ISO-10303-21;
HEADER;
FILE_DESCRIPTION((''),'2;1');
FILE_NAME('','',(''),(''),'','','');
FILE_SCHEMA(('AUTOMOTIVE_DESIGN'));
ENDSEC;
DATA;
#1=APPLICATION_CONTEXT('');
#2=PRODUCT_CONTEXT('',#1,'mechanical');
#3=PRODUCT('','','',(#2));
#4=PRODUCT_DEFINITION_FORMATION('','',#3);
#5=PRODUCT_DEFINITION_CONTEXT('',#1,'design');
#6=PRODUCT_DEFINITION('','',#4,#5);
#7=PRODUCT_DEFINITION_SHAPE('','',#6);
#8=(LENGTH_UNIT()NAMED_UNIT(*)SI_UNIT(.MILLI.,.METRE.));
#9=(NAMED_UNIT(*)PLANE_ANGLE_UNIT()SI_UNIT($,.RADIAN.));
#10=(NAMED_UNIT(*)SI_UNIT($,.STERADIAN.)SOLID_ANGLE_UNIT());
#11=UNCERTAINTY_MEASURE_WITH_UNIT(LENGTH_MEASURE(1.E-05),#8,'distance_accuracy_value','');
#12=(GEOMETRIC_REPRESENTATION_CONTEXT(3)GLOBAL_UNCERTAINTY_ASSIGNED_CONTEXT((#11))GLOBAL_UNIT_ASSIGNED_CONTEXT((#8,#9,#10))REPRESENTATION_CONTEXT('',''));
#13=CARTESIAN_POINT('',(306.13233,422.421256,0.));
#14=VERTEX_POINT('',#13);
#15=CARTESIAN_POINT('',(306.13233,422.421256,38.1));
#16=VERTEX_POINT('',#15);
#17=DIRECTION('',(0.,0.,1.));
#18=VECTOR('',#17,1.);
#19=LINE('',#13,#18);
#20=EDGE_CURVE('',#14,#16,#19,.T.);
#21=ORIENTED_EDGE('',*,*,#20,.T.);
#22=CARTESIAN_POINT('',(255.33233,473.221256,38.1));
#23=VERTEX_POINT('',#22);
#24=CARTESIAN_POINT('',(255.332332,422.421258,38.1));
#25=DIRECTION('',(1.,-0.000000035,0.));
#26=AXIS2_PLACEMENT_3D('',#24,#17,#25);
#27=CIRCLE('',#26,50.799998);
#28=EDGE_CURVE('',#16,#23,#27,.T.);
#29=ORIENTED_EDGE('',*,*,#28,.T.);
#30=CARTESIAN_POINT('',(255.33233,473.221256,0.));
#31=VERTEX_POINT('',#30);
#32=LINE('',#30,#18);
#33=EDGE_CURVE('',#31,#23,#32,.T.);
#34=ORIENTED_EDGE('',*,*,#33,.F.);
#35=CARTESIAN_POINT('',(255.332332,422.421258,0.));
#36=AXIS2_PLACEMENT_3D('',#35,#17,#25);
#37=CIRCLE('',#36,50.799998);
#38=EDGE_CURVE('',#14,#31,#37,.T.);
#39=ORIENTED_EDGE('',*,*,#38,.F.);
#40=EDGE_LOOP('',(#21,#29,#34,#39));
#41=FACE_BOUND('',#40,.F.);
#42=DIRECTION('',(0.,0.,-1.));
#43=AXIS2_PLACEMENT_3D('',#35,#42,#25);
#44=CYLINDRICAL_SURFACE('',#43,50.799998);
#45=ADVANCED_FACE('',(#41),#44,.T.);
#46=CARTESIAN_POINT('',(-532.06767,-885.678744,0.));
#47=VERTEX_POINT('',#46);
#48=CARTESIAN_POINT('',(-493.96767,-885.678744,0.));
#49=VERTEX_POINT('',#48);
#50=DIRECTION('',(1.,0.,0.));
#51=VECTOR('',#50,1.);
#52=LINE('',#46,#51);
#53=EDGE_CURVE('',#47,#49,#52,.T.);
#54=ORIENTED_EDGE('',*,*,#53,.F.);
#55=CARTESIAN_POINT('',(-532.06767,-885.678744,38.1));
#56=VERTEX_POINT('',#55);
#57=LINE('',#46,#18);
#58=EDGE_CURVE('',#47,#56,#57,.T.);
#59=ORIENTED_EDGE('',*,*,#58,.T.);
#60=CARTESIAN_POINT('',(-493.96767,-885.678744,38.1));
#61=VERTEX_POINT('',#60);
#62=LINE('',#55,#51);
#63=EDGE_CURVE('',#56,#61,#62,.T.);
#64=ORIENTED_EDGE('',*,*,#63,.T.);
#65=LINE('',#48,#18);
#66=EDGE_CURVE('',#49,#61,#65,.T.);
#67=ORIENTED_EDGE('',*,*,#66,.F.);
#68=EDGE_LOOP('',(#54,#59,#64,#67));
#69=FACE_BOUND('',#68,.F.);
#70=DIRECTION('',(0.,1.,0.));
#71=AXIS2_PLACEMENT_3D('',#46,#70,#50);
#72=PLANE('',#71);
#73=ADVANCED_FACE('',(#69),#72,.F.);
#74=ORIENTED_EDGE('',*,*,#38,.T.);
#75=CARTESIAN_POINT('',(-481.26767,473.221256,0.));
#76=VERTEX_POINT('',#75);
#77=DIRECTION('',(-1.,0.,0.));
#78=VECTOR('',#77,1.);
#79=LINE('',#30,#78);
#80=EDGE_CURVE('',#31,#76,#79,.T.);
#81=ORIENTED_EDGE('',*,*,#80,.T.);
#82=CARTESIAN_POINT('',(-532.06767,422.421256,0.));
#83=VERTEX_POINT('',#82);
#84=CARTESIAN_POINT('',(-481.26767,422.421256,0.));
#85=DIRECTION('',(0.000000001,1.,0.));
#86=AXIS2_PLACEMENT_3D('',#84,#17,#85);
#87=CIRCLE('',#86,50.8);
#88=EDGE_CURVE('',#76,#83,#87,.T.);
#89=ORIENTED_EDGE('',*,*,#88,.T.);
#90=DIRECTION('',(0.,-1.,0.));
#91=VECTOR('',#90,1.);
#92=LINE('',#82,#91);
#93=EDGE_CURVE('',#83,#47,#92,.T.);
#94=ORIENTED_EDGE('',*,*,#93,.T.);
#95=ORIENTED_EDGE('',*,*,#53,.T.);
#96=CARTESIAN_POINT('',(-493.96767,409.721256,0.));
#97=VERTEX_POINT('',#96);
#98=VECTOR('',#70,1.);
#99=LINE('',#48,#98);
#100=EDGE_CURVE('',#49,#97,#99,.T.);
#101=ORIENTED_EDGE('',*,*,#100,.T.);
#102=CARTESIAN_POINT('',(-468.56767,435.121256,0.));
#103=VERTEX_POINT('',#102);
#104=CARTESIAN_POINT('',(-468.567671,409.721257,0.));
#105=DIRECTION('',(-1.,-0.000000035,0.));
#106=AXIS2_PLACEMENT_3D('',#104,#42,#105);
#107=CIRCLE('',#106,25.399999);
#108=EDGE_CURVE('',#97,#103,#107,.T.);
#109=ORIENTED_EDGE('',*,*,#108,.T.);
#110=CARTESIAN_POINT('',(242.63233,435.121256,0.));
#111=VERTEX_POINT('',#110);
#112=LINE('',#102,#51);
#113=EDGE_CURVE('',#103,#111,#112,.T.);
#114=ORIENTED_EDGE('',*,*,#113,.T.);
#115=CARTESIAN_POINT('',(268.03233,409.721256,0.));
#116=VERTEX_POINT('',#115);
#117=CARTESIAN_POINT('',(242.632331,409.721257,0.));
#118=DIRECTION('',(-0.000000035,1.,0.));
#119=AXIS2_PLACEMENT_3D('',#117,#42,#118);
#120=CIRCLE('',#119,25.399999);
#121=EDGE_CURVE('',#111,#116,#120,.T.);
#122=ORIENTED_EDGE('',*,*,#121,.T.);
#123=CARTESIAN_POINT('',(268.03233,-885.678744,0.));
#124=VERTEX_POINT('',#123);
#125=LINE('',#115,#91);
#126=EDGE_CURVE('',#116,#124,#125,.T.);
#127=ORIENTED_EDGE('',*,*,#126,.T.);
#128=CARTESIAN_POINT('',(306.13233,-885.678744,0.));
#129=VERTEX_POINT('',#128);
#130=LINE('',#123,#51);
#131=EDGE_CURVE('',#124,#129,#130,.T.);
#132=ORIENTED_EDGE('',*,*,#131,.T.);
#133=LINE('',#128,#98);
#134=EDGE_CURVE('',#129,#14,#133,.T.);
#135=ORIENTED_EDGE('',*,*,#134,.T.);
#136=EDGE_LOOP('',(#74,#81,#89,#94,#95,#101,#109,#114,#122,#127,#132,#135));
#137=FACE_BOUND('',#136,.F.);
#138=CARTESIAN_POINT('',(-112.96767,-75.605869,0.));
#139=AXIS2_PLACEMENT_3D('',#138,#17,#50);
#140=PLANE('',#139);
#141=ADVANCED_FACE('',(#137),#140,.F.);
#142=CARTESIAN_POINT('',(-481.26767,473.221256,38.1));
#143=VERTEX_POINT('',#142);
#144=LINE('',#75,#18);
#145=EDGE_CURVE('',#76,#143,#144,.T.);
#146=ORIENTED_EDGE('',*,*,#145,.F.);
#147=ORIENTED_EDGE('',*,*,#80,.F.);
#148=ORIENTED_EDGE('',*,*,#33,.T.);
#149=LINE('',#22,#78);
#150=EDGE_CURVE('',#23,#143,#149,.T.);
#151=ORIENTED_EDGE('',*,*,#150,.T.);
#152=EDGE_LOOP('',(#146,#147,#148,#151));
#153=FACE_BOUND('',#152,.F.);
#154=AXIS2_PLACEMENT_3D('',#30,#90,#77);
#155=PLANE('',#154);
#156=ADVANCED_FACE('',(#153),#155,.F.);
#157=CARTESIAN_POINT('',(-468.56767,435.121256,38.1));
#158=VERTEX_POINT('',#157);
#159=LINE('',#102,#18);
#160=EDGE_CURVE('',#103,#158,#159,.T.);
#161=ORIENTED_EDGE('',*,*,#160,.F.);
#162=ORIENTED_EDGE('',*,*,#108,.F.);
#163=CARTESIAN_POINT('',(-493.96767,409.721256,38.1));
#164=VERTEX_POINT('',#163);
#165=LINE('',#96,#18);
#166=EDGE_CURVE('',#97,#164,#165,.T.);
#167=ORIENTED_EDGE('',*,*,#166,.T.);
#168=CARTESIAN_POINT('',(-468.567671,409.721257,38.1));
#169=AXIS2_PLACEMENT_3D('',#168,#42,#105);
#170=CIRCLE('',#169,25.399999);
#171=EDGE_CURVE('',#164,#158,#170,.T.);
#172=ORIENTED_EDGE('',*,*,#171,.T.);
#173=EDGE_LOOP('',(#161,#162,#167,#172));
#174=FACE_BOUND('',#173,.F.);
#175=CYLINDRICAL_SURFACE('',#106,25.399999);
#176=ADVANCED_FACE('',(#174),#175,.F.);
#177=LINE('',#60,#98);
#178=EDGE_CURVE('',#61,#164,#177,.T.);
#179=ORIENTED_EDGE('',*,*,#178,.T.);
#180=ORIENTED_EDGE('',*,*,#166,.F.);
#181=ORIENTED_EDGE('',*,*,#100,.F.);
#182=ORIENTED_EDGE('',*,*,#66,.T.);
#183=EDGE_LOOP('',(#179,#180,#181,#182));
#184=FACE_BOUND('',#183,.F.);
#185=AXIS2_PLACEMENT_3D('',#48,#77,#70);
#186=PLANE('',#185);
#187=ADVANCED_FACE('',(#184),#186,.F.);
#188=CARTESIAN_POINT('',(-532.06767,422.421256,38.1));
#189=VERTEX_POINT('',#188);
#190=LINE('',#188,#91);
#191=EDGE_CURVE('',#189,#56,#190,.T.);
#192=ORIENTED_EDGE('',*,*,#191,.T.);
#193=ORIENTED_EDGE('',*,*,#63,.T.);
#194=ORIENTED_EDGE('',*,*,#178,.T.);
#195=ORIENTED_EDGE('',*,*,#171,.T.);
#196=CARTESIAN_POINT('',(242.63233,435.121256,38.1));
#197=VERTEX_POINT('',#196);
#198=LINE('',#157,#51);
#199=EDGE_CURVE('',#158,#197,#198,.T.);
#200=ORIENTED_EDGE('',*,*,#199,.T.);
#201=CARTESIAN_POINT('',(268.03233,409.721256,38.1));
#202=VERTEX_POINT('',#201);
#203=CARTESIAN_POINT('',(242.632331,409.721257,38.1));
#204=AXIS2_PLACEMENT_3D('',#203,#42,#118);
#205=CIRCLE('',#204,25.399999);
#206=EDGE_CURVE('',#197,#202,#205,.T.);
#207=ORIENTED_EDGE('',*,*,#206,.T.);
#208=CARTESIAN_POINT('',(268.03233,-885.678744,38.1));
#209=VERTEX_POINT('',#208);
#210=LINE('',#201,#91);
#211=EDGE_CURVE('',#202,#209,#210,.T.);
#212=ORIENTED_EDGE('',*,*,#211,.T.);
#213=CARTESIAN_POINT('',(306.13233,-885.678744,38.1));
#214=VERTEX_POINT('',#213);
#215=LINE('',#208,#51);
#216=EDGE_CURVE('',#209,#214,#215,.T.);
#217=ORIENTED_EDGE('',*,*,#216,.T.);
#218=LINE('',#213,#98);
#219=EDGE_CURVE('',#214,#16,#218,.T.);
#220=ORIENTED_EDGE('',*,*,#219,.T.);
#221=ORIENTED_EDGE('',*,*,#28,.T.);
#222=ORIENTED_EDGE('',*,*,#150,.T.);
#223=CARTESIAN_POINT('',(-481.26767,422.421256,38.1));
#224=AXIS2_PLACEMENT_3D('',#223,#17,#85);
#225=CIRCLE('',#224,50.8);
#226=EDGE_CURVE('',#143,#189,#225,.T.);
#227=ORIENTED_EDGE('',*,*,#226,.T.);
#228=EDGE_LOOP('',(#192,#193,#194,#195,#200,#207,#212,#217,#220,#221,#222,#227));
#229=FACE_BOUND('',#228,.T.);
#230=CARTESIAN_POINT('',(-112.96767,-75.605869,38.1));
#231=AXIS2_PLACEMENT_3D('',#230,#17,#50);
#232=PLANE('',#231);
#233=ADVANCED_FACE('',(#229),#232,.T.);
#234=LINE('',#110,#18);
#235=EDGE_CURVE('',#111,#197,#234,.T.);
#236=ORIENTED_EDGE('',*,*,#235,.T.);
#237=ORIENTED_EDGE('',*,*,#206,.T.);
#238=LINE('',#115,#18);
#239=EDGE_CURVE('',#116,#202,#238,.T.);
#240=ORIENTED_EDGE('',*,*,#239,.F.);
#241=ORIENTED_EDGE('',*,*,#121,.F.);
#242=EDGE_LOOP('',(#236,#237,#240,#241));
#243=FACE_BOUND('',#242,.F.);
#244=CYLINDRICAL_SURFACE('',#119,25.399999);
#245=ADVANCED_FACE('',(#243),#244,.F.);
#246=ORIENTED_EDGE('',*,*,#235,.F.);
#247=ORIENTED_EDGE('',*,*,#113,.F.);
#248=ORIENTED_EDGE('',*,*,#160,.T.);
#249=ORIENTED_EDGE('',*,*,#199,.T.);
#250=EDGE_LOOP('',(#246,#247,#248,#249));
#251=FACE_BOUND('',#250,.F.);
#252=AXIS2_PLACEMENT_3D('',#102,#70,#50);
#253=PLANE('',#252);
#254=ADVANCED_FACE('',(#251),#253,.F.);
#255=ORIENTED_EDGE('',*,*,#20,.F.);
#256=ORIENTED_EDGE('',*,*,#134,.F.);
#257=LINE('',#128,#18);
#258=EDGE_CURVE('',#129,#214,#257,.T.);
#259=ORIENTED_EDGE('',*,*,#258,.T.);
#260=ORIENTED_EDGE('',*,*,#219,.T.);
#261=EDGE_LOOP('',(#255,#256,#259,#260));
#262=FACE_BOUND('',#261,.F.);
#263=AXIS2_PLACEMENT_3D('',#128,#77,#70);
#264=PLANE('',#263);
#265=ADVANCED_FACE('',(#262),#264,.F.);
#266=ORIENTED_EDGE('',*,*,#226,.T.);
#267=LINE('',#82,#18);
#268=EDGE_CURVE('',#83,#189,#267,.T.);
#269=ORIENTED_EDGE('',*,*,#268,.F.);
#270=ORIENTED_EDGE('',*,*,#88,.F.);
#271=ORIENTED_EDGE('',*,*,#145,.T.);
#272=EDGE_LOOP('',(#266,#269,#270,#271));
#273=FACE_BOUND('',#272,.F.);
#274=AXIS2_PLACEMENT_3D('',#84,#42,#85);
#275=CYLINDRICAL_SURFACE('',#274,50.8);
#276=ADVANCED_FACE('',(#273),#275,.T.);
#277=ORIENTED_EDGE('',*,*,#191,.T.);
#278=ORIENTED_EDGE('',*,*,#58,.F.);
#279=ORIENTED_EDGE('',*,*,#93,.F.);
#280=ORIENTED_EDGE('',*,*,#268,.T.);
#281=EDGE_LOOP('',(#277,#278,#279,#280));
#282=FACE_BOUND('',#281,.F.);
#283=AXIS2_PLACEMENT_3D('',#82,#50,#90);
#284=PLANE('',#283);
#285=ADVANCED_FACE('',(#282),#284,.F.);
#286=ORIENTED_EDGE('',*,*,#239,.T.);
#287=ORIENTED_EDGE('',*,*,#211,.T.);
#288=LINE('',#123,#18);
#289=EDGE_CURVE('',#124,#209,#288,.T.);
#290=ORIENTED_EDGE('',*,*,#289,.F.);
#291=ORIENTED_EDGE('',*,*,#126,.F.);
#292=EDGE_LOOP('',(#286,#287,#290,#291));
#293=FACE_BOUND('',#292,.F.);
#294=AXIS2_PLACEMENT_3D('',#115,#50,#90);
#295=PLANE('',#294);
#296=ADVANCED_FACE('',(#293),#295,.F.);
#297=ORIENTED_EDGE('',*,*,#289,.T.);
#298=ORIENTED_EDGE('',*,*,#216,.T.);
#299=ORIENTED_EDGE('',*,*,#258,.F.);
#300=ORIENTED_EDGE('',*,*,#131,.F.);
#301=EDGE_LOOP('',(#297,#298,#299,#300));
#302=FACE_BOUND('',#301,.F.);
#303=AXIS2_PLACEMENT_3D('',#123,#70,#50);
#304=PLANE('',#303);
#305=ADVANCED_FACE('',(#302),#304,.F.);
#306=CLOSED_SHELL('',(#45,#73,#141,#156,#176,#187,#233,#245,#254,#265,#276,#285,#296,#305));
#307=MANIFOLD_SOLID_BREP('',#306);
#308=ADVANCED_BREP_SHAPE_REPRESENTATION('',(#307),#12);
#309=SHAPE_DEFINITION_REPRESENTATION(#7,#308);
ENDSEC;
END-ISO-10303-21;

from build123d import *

# Parameters (mm, degrees)
F1_DEPTH = 38.1


with BuildPart() as f1:
    # F0 (on Top) → F1 (new body)
    with BuildSketch(Plane.XY):
        with BuildLine():
            Line((255.33233, 473.221256), (-481.26767, 473.221256))
            ThreePointArc((-481.26767, 473.221256), (-517.188694, 458.342281), (-532.06767, 422.421256))
            Line((-532.06767, 422.421256), (-532.06767, -885.678744))
            Line((-532.06767, -885.678744), (-493.96767, -885.678744))
            Line((-493.96767, -885.678744), (-493.96767, 409.721256))
            ThreePointArc((-493.96767, 409.721256), (-486.528182, 427.681769), (-468.56767, 435.121256))
            Line((-468.56767, 435.121256), (242.63233, 435.121256))
            ThreePointArc((242.63233, 435.121256), (260.592842, 427.681769), (268.03233, 409.721256))
            Line((268.03233, 409.721256), (268.03233, -885.678744))
            Line((268.03233, -885.678744), (306.13233, -885.678744))
            Line((306.13233, -885.678744), (306.13233, 422.421256))
            ThreePointArc((306.13233, 422.421256), (291.253355, 458.342281), (255.33233, 473.221256))
        make_face()
    extrude(amount=F1_DEPTH)


solid = f1.part
